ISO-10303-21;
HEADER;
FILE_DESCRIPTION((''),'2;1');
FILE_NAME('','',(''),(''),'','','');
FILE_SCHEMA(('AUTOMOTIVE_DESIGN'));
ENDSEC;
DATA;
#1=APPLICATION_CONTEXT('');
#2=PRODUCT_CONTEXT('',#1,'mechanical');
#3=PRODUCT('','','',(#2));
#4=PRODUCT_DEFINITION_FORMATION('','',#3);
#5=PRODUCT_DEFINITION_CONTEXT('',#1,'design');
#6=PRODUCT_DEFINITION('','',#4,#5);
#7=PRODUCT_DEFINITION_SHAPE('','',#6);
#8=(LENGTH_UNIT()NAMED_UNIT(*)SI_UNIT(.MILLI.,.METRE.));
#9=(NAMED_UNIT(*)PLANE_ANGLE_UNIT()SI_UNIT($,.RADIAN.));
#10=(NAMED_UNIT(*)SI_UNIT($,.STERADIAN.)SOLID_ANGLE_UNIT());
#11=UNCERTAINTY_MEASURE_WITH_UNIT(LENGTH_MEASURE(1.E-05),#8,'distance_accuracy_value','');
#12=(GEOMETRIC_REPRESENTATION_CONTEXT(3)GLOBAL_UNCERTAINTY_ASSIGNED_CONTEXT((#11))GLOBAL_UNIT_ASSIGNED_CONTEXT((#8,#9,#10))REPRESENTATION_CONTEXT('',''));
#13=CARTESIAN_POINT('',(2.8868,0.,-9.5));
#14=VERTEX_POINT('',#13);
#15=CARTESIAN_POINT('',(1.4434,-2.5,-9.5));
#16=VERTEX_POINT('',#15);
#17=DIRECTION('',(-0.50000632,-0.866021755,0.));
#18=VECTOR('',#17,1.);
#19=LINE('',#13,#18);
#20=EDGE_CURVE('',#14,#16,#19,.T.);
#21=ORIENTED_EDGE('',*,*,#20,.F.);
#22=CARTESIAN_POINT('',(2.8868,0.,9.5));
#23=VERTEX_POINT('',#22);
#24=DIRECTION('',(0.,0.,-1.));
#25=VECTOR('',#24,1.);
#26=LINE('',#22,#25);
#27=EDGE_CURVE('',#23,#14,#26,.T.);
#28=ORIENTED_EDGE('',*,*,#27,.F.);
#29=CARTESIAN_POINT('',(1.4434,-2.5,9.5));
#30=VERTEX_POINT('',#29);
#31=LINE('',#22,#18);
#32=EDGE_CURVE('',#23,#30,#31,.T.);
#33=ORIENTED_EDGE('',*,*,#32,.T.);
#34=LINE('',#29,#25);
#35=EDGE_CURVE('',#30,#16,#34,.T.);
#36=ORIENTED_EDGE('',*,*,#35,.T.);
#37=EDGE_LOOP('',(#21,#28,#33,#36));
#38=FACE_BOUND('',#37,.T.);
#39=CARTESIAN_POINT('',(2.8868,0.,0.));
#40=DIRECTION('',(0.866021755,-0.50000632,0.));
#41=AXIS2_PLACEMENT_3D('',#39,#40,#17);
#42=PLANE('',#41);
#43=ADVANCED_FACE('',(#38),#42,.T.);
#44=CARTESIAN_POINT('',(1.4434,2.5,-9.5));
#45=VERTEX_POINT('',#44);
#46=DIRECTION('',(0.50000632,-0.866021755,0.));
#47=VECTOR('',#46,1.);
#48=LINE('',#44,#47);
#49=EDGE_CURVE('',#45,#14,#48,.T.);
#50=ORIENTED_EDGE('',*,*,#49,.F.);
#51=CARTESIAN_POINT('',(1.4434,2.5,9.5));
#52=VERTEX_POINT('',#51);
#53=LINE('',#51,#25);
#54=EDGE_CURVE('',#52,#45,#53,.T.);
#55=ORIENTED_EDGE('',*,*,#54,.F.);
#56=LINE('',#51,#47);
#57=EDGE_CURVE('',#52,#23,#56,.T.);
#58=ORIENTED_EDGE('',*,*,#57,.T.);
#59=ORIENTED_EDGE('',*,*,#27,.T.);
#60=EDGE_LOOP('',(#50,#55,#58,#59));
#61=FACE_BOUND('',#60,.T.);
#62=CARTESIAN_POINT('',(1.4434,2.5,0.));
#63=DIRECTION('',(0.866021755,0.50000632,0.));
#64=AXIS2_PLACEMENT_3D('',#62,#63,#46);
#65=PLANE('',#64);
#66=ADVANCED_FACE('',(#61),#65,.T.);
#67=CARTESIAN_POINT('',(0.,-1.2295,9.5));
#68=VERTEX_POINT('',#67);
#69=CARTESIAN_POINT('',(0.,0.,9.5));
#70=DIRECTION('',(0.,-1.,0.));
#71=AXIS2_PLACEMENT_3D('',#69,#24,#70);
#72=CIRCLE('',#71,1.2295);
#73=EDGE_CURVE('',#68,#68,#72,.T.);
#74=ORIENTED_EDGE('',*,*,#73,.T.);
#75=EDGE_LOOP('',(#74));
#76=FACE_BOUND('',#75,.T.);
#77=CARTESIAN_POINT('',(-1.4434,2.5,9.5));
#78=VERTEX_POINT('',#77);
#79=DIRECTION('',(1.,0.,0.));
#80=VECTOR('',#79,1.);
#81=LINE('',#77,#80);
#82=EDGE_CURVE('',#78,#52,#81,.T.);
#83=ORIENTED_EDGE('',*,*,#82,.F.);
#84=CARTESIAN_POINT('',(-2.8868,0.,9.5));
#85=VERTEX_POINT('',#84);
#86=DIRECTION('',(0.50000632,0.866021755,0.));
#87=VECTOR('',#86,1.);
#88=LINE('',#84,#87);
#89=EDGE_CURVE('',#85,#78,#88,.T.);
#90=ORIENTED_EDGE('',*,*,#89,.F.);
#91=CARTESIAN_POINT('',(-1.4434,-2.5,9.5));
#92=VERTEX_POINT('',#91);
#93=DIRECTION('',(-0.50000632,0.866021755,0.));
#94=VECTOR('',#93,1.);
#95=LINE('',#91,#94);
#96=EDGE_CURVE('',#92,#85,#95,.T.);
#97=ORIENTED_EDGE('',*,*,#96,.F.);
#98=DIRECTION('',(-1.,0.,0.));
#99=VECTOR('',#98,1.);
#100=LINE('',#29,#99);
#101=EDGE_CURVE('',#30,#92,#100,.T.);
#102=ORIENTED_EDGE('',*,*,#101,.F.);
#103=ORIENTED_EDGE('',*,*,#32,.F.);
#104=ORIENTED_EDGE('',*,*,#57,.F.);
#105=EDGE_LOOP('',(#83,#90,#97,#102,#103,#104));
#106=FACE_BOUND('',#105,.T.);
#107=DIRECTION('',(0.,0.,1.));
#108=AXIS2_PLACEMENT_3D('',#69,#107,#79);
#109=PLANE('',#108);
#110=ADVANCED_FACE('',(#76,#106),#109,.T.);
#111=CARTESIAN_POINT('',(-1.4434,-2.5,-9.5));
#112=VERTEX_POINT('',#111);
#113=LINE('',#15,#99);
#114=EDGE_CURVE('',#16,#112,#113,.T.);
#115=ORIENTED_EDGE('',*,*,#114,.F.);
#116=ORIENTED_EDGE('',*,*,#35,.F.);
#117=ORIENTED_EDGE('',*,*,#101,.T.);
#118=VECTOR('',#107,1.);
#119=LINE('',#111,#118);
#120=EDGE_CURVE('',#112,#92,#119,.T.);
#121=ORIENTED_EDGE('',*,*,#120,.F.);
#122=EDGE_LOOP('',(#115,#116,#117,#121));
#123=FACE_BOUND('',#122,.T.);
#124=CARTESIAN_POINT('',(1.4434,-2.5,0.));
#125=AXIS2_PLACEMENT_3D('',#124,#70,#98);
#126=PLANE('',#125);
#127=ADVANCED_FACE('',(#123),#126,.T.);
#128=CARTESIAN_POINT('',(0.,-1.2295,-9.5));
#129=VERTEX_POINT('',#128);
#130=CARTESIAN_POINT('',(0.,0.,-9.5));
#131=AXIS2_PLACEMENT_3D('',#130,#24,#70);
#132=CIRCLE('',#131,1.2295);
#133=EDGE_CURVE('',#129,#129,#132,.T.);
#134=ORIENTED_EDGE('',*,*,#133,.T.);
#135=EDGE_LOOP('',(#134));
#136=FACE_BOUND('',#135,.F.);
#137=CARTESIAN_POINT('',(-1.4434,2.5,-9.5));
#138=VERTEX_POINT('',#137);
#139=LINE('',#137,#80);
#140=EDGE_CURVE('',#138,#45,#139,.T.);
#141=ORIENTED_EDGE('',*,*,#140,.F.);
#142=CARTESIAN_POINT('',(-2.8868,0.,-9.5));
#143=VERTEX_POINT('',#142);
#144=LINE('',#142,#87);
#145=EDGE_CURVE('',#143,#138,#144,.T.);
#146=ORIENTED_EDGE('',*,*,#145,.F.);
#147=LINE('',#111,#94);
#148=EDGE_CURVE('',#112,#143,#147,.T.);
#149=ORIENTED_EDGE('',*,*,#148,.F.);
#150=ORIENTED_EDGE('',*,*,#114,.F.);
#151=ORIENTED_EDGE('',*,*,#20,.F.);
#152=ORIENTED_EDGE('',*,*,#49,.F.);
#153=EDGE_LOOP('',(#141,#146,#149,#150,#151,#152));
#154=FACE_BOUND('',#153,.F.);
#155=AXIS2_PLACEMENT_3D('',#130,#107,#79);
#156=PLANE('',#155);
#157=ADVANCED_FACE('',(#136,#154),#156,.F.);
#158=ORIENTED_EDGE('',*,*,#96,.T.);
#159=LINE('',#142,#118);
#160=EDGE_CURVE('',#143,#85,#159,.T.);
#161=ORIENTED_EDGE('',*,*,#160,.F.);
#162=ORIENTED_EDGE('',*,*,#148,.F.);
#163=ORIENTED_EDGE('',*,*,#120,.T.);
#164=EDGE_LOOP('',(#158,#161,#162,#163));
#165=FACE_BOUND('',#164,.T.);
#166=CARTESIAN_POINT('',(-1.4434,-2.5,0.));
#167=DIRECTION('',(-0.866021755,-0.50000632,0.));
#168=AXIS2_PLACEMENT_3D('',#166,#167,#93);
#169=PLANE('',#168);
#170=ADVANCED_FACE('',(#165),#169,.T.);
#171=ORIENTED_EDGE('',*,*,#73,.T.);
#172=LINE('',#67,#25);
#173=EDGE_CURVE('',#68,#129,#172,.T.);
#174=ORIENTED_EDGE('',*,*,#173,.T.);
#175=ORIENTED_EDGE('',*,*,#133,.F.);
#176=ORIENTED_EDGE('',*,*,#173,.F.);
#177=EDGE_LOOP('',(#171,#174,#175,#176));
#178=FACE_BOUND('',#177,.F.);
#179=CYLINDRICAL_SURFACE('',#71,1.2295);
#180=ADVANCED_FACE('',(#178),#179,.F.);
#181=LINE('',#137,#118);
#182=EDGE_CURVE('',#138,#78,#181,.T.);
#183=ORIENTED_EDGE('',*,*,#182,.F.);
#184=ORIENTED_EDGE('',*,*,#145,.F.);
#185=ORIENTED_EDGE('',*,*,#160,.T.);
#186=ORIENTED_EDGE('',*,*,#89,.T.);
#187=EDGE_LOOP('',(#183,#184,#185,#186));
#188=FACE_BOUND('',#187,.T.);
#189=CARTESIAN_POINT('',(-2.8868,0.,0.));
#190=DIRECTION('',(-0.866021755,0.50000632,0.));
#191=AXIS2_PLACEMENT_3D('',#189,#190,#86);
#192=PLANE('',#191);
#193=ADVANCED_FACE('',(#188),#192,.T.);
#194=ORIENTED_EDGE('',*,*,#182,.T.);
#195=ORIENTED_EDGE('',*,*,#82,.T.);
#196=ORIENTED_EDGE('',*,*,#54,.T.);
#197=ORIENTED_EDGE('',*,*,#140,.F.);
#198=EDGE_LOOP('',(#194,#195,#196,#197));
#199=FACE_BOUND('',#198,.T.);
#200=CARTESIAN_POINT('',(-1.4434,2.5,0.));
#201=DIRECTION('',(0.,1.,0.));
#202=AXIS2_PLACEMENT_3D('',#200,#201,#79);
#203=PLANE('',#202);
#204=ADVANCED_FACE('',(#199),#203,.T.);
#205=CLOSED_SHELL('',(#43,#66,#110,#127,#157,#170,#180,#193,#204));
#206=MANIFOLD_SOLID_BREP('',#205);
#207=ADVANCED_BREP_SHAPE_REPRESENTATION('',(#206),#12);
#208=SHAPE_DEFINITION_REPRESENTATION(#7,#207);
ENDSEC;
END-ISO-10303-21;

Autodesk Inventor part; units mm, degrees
ref_plane "YZ Plane" through (0, 0, 0) normal (1, 0, 0) x (0, 1, 0)
ref_plane "XZ Plane" through (0, 0, 0) normal (0, 1, 0) x (-1, 0, 0)
ref_plane "XY Plane" through (0, 0, 0) normal (0, 0, 1) x (1, 0, 0)
sketch "Skizze2" plane through (0, 0, 0) normal (0, 0, 1) x (1, 0, 0)
  line L0 (-1.4434, 2.5) -> (1.4434, 2.5)
  line L1 (1.4434, 2.5) -> (2.8868, 0)
  line L2 (2.8868, 0) -> (1.4434, -2.5)
  line L3 (1.4434, -2.5) -> (-1.4434, -2.5)
  line L4 (-1.4434, -2.5) -> (-2.8868, 0)
  line L5 (-2.8868, 0) -> (-1.4434, 2.5)
  line L6 (-1.4434, 2.5) -> (1.4434, -2.5) construction
  point P0 (0, 0)
  point P1 (0, 0)
  dimension "d17" = 120
  dimension "d19" = 120
  dimension "d22" = 120
  dimension "d36" = 5
extrude "Extrusion1" add sketch "Skizze2" along normal mid plane 19
sketch "Skizze4" plane through (0, 0, 9.5) normal (0, 0, 1) x (1, 0, 0)
  point P0 (0, 0)
hole "Bohrung1" at (0, 0, 9.5) direction (0, 0, -1) diameter 2.459 end through all thread size "M3x0.5" class "6H" standard "ISO Metric profile"
properties part number "Abstandshalter_M3"
